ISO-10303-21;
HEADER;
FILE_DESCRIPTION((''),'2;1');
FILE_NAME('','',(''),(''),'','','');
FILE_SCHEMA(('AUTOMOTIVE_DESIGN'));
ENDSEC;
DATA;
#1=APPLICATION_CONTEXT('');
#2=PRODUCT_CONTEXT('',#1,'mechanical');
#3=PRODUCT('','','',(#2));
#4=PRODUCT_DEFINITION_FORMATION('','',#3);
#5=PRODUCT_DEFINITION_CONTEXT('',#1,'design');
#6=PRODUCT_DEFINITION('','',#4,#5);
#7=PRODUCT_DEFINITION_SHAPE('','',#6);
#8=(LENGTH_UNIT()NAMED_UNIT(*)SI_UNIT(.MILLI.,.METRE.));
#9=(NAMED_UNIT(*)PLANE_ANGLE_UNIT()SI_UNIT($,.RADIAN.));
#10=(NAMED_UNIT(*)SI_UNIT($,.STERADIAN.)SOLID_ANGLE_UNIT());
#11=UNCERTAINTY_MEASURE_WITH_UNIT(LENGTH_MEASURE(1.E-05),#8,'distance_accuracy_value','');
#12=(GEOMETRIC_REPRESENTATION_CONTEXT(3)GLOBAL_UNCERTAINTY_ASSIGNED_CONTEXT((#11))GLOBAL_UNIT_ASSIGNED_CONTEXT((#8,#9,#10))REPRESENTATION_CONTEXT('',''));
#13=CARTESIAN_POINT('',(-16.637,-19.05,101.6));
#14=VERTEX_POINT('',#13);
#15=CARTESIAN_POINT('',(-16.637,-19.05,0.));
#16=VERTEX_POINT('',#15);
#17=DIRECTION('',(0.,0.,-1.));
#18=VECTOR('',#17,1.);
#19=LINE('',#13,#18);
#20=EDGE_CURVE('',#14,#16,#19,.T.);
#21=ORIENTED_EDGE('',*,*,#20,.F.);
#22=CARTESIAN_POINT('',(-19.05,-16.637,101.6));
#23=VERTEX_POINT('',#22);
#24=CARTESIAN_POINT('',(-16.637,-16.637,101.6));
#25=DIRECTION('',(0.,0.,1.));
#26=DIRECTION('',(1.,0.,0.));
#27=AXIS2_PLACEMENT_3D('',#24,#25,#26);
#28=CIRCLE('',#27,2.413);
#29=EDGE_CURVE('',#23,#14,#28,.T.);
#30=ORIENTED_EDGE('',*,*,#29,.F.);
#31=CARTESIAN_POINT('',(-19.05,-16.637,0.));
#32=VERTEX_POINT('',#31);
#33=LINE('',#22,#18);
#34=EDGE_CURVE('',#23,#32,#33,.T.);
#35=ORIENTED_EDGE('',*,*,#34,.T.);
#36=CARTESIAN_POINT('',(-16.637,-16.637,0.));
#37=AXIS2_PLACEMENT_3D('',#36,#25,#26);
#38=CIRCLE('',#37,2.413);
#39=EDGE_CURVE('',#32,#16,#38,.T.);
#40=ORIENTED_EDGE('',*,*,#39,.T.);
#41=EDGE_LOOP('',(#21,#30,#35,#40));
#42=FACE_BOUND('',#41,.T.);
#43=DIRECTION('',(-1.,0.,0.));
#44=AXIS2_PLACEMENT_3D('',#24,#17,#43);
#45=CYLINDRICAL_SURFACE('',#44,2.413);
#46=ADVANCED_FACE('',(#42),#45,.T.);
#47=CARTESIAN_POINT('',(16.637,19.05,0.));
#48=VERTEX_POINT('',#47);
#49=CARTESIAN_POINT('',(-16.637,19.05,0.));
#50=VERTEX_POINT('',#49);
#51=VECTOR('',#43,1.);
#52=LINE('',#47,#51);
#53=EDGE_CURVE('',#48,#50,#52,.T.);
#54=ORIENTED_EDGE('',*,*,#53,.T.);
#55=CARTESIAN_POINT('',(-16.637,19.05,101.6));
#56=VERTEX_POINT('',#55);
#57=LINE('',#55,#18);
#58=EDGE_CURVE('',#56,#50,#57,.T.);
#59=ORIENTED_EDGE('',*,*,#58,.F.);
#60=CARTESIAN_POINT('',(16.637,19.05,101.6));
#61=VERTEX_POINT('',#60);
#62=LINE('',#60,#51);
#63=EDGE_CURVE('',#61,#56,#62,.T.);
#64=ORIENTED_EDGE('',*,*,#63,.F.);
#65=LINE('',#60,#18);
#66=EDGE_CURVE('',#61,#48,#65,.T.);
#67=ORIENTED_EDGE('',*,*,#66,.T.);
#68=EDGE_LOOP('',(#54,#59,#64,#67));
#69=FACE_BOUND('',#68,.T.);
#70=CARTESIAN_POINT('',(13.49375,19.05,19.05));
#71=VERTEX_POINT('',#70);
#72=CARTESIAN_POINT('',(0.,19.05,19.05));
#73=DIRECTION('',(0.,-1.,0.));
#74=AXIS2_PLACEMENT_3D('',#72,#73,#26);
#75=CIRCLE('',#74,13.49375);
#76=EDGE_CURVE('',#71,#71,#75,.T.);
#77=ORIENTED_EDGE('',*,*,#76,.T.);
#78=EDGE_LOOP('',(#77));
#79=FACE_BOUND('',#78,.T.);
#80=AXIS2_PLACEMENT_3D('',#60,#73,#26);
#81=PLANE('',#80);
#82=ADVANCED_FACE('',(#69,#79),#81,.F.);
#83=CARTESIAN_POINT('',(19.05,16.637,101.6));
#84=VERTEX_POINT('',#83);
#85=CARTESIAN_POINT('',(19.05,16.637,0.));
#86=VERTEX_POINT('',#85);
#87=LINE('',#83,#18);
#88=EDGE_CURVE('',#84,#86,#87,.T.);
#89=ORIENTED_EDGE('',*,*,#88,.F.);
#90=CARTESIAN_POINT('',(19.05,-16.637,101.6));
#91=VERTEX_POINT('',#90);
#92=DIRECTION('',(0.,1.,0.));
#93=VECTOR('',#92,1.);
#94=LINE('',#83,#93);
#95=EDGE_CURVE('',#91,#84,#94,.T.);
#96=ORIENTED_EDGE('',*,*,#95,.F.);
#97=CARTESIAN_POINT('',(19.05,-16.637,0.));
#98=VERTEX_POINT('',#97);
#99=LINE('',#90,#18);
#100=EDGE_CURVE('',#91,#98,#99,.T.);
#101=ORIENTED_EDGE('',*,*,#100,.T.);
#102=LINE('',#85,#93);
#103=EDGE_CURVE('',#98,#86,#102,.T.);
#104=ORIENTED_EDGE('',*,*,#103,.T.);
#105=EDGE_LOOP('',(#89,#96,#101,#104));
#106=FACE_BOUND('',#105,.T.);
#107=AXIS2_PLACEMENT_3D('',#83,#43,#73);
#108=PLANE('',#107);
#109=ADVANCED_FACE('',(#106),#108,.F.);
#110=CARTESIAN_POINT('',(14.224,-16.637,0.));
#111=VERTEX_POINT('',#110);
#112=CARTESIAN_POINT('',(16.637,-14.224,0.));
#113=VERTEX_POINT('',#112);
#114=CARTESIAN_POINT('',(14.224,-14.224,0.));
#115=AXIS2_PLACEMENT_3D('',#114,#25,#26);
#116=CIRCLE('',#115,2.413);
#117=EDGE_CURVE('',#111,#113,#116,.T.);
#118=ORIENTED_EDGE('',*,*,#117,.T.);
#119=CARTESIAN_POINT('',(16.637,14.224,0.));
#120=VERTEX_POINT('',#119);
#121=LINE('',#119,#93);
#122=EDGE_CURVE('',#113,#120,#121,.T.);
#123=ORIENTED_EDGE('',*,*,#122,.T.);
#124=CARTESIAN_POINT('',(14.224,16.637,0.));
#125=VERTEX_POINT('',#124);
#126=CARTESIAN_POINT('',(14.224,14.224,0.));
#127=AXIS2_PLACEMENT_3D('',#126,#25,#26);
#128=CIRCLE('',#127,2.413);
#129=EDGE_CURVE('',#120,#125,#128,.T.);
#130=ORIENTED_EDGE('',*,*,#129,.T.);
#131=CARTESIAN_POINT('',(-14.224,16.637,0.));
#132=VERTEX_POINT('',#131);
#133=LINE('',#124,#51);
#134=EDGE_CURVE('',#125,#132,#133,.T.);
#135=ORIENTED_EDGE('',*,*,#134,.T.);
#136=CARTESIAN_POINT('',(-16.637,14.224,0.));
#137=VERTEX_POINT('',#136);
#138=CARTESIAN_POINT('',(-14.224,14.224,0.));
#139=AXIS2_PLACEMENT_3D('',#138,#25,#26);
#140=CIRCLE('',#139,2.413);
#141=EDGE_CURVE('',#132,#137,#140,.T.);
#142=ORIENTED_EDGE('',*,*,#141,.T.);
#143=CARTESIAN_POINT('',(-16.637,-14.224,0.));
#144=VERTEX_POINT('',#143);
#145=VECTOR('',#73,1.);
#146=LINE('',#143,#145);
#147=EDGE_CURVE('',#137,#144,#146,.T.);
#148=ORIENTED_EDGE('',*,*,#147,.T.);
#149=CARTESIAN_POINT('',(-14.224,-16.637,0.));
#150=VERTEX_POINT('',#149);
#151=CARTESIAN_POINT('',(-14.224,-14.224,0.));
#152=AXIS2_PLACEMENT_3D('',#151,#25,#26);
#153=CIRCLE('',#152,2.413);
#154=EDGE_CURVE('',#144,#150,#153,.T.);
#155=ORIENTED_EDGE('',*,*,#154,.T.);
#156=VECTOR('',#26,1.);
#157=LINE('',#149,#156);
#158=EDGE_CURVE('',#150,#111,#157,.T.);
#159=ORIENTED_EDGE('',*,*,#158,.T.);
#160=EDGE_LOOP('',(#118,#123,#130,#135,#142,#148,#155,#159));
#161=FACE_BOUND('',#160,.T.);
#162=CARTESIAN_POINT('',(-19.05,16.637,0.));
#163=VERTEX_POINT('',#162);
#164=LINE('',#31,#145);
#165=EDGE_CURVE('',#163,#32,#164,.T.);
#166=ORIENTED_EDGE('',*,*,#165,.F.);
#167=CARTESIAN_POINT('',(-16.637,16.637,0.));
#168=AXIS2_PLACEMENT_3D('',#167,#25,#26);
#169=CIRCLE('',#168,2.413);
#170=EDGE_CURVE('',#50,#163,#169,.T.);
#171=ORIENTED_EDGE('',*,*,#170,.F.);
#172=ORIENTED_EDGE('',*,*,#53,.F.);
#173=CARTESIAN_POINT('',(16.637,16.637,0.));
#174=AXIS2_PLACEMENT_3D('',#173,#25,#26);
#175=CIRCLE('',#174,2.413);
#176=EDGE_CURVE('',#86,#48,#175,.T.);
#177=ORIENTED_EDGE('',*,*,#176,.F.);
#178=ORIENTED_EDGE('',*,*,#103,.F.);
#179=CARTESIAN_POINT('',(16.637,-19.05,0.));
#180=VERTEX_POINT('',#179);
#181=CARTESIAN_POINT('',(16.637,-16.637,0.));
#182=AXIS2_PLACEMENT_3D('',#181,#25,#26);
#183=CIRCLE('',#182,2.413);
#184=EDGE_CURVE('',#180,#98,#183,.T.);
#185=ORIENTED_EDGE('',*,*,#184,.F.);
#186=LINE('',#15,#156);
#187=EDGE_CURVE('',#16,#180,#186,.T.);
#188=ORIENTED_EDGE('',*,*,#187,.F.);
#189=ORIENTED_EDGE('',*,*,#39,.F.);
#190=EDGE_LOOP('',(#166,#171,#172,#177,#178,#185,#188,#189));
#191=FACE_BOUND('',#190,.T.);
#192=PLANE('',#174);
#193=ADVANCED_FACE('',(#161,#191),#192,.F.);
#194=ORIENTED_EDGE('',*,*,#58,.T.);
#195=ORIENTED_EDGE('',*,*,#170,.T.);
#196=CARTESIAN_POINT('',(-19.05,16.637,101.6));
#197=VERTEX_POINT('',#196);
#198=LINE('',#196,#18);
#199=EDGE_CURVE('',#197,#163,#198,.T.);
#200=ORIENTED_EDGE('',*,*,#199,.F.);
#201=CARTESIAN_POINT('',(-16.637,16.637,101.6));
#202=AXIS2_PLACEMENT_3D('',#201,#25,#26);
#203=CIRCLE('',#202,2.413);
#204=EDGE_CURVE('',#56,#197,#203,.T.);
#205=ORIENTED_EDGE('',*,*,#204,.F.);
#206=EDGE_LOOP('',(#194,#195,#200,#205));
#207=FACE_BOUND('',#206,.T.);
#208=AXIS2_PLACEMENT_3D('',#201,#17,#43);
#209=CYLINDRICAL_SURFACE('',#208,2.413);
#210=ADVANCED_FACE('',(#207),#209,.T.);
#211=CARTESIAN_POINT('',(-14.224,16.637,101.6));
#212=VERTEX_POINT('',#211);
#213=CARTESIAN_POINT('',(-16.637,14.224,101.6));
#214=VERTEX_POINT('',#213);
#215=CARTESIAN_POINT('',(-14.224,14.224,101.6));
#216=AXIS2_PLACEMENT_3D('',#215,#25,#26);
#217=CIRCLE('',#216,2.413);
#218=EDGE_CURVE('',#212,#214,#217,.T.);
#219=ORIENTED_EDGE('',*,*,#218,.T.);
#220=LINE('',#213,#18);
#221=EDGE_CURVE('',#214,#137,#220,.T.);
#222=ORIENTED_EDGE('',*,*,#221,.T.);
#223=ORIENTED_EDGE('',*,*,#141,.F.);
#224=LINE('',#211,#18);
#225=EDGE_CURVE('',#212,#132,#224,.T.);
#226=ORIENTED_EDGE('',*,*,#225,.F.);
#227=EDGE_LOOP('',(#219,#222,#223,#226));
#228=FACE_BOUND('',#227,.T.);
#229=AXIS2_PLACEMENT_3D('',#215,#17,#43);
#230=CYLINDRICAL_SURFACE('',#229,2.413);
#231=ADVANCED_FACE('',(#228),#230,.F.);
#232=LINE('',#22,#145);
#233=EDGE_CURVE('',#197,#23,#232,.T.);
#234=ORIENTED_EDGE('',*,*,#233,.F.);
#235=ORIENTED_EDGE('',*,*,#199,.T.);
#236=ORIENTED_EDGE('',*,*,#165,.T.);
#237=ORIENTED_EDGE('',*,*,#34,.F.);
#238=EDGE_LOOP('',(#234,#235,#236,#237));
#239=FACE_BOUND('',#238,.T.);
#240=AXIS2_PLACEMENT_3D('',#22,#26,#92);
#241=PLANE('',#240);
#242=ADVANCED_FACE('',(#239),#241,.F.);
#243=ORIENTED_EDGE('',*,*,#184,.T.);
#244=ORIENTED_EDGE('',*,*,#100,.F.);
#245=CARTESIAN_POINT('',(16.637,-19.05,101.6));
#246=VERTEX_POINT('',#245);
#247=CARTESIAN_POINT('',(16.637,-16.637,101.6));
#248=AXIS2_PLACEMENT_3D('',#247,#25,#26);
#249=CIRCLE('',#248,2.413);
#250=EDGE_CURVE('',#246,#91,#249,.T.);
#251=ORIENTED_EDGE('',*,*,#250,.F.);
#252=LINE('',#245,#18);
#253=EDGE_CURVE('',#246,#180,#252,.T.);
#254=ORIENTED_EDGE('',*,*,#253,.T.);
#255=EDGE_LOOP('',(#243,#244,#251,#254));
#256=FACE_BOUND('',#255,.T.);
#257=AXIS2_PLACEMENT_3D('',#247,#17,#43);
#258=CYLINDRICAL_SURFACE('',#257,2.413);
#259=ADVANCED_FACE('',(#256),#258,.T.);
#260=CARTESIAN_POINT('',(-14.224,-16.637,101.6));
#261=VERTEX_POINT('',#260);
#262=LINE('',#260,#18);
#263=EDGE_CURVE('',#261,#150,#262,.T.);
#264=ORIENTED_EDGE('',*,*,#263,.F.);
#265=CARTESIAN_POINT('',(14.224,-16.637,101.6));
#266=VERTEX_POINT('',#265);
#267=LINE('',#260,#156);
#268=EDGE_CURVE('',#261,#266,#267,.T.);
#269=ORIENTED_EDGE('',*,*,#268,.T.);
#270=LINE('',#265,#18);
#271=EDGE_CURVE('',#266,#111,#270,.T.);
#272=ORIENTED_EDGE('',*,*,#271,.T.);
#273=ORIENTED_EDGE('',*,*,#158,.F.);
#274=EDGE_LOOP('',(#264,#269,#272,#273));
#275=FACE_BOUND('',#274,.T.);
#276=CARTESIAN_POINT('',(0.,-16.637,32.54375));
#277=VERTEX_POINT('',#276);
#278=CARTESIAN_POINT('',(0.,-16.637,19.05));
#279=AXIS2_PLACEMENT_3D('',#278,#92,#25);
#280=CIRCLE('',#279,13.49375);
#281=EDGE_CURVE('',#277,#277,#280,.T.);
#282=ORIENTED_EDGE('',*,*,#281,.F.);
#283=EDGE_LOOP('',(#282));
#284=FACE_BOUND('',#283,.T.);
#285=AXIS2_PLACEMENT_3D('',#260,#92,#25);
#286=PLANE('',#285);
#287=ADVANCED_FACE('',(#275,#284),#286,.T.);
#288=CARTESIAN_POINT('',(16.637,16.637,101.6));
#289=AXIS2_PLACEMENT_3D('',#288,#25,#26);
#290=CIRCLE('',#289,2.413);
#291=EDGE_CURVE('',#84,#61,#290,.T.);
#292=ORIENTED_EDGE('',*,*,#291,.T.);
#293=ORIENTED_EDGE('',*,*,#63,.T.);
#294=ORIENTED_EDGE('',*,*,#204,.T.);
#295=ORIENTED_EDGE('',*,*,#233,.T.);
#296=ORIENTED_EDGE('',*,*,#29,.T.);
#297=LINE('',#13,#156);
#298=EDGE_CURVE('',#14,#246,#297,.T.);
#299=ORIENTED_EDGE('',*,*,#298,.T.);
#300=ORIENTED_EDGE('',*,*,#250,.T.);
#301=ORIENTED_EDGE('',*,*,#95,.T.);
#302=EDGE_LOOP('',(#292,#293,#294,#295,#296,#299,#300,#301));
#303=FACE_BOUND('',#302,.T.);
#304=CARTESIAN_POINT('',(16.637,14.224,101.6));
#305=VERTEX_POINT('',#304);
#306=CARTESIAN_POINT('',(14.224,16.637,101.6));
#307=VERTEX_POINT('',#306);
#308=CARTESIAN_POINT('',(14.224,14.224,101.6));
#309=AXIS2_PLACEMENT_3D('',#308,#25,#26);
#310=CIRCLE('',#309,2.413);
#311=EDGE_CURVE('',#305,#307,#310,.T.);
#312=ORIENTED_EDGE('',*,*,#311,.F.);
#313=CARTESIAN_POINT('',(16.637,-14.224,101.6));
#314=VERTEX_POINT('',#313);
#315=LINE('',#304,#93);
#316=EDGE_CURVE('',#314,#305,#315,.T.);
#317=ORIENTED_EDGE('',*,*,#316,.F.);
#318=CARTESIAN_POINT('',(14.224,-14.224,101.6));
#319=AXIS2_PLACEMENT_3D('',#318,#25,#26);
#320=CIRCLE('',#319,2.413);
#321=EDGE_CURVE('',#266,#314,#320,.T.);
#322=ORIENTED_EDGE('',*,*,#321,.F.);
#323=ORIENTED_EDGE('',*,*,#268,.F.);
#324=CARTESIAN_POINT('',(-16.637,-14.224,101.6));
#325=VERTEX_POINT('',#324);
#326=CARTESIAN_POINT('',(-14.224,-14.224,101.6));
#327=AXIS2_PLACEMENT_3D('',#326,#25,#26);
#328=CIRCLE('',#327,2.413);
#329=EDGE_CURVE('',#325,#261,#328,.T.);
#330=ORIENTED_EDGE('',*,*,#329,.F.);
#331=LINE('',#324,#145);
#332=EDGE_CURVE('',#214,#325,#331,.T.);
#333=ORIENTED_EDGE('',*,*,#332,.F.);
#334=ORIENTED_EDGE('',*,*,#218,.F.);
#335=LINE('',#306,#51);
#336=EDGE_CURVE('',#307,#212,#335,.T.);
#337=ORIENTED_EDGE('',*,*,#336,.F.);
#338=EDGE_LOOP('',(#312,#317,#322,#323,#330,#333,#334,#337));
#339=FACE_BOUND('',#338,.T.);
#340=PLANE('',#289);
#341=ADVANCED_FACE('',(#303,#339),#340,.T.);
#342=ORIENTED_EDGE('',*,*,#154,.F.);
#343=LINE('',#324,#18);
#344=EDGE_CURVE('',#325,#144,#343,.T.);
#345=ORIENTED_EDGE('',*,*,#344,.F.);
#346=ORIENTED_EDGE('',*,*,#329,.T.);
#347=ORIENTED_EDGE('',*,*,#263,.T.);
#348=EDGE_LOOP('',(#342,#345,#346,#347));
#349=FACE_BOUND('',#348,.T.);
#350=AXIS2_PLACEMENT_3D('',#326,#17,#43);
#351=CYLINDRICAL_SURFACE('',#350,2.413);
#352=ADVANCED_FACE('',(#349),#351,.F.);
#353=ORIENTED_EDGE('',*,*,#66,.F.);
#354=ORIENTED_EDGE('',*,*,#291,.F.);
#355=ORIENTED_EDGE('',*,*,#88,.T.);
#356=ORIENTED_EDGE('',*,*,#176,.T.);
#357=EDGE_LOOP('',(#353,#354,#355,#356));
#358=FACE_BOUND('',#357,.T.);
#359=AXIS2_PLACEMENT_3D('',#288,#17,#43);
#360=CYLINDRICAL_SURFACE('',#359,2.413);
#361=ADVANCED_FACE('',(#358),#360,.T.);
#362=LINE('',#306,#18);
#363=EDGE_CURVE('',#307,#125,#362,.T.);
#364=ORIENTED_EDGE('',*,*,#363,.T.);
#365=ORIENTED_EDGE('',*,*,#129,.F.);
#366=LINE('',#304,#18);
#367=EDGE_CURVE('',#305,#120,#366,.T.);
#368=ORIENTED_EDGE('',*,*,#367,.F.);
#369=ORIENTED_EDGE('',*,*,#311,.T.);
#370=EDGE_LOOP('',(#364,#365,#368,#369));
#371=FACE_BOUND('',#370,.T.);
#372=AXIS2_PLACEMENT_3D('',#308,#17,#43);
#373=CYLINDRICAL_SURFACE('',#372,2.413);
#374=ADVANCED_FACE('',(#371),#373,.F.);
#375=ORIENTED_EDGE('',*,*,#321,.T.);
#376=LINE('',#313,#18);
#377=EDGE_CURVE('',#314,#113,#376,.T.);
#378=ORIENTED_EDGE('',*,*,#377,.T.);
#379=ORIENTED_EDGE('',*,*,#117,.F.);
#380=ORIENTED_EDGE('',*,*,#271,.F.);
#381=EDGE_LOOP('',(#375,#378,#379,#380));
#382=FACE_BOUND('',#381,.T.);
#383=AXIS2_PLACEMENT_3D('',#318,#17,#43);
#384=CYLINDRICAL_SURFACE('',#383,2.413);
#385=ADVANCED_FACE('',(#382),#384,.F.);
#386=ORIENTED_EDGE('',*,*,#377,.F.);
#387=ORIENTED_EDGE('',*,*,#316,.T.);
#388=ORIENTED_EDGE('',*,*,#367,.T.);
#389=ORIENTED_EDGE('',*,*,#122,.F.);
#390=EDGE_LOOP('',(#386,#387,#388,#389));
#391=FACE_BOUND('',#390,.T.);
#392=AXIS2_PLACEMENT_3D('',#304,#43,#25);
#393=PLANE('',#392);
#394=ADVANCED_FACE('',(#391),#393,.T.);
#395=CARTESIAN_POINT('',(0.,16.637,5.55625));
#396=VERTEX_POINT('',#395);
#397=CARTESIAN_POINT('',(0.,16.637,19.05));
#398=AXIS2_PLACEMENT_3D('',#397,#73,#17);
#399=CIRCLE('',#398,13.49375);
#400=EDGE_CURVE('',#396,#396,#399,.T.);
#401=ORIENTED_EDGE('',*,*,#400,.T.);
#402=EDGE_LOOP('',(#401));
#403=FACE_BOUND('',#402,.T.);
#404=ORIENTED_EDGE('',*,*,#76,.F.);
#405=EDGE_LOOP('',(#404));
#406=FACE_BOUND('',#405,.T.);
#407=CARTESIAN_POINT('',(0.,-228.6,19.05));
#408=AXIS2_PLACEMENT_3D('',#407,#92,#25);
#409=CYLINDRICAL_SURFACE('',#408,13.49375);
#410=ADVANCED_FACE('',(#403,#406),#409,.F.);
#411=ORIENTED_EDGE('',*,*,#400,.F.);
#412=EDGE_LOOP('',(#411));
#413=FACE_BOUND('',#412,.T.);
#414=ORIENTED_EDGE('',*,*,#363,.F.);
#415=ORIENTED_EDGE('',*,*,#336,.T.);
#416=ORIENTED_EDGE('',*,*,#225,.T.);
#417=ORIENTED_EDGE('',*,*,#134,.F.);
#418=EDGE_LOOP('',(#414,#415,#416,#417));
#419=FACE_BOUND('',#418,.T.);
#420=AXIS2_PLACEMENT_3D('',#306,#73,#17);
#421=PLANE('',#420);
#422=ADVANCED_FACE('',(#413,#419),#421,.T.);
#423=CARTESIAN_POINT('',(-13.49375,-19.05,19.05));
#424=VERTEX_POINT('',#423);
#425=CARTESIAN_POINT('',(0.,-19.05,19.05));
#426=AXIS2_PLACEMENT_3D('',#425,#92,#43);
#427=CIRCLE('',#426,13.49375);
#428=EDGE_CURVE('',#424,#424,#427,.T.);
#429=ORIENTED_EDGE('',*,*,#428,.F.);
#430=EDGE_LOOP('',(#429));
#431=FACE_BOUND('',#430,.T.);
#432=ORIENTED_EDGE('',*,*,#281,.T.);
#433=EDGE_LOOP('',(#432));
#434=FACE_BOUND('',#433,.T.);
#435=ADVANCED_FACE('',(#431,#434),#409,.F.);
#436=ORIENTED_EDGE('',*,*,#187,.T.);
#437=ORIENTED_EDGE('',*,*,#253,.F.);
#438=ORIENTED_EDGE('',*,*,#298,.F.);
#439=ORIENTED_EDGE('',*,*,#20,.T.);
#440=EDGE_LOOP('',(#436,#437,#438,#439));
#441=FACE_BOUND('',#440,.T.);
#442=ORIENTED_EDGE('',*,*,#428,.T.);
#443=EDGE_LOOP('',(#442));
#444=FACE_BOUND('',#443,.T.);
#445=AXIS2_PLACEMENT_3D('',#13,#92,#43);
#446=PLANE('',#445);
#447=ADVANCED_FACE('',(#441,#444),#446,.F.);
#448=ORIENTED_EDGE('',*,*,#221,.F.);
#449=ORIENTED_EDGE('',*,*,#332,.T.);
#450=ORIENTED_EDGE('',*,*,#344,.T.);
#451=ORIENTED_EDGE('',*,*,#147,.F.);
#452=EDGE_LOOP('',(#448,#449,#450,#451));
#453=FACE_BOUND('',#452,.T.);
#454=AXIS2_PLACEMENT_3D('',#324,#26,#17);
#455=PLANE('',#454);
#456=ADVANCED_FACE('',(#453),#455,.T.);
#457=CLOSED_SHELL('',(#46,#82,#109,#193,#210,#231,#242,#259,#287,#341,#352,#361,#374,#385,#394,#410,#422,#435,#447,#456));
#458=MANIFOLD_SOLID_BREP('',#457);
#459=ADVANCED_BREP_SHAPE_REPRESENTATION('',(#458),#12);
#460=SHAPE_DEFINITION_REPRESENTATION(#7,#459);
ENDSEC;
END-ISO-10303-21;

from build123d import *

# Parameters (mm, degrees)
BOSS_EXTRUDE1_DEPTH = 101.6
SKETCH2_R           = 13.49375
CUT_EXTRUDE1_DEPTH  = 228.6


with BuildPart() as part:
    # Sketch1 → Boss-Extrude1 (new body)
    with BuildSketch(Plane.XY):
        with BuildLine():
            Line((-16.637, -19.05), (16.637, -19.05))
            ThreePointArc((16.637, -19.05), (18.343248663, -18.343248663), (19.05, -16.637))
            Line((19.05, -16.637), (19.05, 16.637))
            ThreePointArc((19.05, 16.637), (18.343248663, 18.343248663), (16.637, 19.05))
            Line((16.637, 19.05), (-16.637, 19.05))
            ThreePointArc((-16.637, 19.05), (-18.343248663, 18.343248663), (-19.05, 16.637))
            Line((-19.05, 16.637), (-19.05, -16.637))
            ThreePointArc((-19.05, -16.637), (-18.343248663, -18.343248663), (-16.637, -19.05))
        make_face()
        with BuildLine():
            Line((-14.224, -16.637), (14.224, -16.637))
            ThreePointArc((14.224, -16.637), (15.930248663, -15.930248663), (16.637, -14.224))
            Line((16.637, -14.224), (16.637, 14.224))
            ThreePointArc((16.637, 14.224), (15.930248663, 15.930248663), (14.224, 16.637))
            Line((14.224, 16.637), (-14.224, 16.637))
            ThreePointArc((-14.224, 16.637), (-15.930248663, 15.930248663), (-16.637, 14.224))
            Line((-16.637, 14.224), (-16.637, -14.224))
            ThreePointArc((-16.637, -14.224), (-15.930248663, -15.930248663), (-14.224, -16.637))
        make_face(mode=Mode.SUBTRACT)
    extrude(amount=BOSS_EXTRUDE1_DEPTH)

    # Sketch2 → Cut-Extrude1 (cut, symmetric)
    with BuildSketch(Plane(origin=(0, 0, 0), x_dir=(1, 0, 0), z_dir=(0, 1, 0))):
        with Locations((0, -19.05)):
            Circle(SKETCH2_R)
    extrude(amount=CUT_EXTRUDE1_DEPTH, both=True, mode=Mode.SUBTRACT)


solid = part.part
